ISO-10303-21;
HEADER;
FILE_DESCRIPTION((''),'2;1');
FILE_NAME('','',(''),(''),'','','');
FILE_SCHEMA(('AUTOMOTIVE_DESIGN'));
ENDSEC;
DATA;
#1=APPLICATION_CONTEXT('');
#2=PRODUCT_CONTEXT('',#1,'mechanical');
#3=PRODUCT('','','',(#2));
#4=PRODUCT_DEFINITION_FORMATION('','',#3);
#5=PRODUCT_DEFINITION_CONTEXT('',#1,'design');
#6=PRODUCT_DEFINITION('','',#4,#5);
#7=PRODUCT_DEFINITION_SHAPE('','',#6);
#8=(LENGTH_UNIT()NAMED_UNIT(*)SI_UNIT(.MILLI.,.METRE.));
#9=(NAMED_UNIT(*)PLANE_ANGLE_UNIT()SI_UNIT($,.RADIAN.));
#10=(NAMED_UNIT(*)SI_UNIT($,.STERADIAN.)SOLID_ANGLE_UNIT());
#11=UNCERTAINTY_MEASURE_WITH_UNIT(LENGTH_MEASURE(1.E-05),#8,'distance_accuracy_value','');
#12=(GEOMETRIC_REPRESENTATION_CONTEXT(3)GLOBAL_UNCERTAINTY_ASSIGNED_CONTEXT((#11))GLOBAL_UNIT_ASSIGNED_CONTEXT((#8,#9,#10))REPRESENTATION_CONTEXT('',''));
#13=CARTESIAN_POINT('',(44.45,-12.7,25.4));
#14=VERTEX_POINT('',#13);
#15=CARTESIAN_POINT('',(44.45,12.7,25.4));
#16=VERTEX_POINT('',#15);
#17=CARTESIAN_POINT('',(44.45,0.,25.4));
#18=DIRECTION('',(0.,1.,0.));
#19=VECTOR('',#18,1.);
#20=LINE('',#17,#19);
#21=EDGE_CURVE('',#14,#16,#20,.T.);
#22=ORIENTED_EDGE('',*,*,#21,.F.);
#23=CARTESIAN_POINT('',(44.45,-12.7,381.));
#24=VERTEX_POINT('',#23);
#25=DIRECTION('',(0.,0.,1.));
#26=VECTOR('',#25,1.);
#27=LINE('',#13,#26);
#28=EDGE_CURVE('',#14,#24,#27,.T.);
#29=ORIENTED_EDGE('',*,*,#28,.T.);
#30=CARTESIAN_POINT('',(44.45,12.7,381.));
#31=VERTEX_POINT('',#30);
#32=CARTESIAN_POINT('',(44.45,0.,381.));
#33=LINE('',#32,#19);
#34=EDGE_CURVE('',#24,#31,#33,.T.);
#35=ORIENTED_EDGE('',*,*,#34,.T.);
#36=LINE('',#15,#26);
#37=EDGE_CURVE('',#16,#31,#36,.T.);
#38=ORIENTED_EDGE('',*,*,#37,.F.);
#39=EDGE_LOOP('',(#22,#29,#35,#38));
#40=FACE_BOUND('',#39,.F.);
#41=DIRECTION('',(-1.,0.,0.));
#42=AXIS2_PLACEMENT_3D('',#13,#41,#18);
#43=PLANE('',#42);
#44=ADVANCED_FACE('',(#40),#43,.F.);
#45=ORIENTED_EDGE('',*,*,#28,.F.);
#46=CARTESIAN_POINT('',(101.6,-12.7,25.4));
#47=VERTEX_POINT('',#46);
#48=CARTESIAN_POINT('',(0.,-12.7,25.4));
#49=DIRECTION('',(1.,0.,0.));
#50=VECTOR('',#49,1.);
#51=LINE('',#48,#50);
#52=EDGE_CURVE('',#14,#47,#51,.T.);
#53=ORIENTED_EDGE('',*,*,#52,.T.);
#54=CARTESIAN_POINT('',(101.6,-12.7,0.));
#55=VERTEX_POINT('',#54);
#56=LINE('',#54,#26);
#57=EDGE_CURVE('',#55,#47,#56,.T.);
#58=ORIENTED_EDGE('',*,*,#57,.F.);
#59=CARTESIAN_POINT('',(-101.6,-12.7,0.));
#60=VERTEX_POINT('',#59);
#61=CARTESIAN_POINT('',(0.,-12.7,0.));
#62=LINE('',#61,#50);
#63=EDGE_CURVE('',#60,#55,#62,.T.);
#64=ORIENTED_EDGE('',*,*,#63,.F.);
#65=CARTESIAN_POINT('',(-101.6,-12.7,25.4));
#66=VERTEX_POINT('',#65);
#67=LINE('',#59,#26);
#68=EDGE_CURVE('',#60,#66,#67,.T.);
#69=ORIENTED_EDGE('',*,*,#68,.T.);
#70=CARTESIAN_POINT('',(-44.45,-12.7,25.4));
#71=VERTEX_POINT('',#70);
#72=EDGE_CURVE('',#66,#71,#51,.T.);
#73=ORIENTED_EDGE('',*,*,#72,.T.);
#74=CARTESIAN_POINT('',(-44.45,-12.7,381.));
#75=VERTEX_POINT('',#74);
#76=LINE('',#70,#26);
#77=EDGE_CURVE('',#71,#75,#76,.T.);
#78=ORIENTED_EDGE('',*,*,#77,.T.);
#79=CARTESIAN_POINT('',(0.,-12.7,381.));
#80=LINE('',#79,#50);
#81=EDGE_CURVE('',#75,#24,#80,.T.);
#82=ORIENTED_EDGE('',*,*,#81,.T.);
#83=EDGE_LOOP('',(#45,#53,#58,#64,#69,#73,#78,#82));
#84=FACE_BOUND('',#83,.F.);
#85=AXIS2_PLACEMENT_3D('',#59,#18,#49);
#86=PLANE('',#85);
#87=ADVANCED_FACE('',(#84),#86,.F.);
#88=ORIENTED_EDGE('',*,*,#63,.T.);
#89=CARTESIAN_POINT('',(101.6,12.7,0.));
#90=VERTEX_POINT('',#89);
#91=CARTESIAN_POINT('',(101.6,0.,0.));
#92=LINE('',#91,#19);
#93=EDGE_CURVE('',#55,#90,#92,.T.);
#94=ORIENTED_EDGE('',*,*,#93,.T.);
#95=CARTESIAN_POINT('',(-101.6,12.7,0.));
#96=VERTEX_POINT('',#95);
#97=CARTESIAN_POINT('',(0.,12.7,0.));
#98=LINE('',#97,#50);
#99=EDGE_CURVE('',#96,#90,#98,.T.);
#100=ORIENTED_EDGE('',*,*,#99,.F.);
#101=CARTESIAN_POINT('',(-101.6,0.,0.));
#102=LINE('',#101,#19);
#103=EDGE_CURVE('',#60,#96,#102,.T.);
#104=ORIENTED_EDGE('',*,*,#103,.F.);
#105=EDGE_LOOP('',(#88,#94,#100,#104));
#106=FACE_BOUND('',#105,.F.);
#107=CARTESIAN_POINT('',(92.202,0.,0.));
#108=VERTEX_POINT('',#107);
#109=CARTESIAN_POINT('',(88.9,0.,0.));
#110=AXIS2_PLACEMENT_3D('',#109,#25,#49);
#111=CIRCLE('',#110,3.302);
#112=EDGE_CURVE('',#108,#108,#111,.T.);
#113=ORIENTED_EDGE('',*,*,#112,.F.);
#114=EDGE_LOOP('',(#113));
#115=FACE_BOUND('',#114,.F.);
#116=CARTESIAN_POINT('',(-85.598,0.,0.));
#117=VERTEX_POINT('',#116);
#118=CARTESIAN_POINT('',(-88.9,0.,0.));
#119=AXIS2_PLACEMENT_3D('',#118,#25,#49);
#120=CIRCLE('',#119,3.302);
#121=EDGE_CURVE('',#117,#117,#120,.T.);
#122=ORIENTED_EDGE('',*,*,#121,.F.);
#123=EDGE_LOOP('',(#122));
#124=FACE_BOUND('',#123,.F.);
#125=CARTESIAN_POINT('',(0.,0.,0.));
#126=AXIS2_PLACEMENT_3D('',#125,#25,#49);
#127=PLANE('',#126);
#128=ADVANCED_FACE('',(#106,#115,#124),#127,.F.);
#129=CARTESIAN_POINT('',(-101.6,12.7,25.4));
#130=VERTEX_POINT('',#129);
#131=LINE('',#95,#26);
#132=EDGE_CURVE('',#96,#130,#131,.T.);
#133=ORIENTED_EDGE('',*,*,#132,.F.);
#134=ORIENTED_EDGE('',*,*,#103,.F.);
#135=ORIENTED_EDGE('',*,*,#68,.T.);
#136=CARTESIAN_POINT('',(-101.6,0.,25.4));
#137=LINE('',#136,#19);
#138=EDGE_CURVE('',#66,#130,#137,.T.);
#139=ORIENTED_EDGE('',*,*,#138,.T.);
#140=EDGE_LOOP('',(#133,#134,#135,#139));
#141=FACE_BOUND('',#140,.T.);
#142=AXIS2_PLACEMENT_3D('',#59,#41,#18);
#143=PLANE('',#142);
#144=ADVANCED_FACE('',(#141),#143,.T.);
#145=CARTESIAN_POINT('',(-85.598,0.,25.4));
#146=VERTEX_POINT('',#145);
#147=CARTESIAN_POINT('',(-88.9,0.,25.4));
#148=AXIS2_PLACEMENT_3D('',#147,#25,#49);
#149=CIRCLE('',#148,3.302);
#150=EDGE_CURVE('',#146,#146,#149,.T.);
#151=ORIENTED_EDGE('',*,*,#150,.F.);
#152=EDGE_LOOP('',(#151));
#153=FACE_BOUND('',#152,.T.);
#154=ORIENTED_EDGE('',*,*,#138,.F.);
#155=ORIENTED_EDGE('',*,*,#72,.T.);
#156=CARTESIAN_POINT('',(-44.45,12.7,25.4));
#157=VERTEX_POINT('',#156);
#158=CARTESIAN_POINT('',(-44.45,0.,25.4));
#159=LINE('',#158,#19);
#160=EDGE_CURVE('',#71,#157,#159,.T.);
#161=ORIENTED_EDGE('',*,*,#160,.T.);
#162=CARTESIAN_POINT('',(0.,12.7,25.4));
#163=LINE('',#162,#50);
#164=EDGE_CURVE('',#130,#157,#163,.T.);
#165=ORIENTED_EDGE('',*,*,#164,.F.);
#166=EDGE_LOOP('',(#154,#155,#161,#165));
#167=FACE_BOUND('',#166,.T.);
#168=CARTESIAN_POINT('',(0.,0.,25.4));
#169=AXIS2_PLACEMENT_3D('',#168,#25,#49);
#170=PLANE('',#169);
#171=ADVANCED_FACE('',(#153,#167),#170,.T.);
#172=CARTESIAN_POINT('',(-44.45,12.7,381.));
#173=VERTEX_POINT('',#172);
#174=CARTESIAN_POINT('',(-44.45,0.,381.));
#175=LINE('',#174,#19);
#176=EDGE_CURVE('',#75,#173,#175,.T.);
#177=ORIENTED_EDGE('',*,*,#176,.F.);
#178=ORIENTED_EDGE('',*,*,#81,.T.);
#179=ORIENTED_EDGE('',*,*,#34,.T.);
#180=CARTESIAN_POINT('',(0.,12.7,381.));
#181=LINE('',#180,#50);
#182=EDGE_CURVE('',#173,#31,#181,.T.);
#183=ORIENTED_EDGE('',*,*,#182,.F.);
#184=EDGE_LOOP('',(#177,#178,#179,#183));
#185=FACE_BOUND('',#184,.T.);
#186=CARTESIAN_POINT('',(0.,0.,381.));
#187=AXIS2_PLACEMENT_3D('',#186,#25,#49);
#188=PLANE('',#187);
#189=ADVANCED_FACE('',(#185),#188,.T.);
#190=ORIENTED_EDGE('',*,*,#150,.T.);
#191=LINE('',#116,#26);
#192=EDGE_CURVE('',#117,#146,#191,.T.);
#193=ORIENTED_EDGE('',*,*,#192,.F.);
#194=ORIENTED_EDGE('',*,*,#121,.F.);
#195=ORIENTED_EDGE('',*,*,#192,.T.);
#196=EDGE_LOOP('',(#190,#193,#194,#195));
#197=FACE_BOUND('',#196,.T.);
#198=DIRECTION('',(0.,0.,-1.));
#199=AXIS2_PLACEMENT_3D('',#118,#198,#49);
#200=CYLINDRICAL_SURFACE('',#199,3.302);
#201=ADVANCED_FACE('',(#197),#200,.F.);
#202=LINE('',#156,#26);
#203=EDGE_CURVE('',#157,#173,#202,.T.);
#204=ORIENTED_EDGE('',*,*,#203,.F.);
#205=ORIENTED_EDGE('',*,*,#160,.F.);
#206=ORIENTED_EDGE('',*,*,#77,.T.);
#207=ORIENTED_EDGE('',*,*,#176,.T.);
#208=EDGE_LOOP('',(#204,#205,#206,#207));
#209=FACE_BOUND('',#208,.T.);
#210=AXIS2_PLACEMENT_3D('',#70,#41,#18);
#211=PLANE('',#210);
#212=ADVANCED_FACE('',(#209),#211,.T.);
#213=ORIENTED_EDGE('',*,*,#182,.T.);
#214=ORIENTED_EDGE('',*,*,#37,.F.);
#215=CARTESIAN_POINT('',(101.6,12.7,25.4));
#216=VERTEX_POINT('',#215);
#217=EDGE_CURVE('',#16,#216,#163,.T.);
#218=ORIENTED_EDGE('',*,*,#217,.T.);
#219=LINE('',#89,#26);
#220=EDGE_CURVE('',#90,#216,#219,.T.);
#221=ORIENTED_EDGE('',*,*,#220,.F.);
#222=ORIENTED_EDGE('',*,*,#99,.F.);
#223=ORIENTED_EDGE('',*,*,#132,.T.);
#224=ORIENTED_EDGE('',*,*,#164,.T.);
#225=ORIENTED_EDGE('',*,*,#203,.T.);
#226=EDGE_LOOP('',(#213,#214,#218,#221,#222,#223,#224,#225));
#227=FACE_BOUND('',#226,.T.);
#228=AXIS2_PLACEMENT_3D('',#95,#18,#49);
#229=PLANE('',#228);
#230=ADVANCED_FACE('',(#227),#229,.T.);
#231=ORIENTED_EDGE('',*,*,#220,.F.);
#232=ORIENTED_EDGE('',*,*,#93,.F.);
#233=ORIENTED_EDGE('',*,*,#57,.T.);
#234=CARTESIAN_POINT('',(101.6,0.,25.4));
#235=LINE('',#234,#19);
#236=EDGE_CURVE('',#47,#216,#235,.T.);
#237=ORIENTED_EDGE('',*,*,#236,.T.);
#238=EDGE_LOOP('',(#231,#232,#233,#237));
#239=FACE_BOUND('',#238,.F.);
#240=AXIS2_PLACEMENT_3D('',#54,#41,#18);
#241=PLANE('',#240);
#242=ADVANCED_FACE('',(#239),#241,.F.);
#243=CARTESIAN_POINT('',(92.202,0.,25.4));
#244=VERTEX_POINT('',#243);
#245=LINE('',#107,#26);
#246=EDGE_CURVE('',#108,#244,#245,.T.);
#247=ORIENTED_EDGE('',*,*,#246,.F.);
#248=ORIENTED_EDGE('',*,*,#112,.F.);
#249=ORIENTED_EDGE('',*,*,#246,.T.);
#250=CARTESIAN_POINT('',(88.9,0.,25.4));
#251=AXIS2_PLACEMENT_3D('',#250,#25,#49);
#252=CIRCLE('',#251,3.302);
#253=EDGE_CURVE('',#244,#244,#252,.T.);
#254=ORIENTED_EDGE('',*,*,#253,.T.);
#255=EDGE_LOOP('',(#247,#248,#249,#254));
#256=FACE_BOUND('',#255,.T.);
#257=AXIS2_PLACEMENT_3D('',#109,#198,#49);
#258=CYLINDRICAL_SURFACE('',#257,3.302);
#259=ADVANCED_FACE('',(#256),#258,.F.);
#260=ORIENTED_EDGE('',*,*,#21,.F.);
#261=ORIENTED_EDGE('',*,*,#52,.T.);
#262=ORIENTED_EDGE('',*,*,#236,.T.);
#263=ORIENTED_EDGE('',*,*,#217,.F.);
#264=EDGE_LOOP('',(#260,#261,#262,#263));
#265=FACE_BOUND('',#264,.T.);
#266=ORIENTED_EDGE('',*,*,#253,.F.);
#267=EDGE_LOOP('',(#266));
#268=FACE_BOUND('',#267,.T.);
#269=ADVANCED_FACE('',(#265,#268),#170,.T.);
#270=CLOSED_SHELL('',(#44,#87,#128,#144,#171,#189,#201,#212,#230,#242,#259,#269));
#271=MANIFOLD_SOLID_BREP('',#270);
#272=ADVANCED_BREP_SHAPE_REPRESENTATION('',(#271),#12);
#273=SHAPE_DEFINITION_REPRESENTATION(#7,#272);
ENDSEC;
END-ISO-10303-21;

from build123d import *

# Parameters (mm, degrees)
F0_W     = 203.2
F0_H     = 25.4
F0_R     = 3.302
F1_DEPTH = 25.4
F2_W     = 88.9
F2_H     = 25.4
F3_DEPTH = 355.6


with BuildPart() as f1:
    # F0 (on Top) → F1 (new body)
    with BuildSketch(Plane.XY):
        Rectangle(F0_W, F0_H)
        with Locations((-88.9, 0)):
            Circle(F0_R, mode=Mode.SUBTRACT)
        with Locations((88.9, 0)):
            Circle(F0_R, mode=Mode.SUBTRACT)
    extrude(amount=F1_DEPTH)

    # F2 (on face) → F3 (join)
    with BuildSketch(Plane.XY.offset(25.4)):
        Rectangle(F2_W, F2_H)
    extrude(amount=F3_DEPTH)


solid = f1.part
